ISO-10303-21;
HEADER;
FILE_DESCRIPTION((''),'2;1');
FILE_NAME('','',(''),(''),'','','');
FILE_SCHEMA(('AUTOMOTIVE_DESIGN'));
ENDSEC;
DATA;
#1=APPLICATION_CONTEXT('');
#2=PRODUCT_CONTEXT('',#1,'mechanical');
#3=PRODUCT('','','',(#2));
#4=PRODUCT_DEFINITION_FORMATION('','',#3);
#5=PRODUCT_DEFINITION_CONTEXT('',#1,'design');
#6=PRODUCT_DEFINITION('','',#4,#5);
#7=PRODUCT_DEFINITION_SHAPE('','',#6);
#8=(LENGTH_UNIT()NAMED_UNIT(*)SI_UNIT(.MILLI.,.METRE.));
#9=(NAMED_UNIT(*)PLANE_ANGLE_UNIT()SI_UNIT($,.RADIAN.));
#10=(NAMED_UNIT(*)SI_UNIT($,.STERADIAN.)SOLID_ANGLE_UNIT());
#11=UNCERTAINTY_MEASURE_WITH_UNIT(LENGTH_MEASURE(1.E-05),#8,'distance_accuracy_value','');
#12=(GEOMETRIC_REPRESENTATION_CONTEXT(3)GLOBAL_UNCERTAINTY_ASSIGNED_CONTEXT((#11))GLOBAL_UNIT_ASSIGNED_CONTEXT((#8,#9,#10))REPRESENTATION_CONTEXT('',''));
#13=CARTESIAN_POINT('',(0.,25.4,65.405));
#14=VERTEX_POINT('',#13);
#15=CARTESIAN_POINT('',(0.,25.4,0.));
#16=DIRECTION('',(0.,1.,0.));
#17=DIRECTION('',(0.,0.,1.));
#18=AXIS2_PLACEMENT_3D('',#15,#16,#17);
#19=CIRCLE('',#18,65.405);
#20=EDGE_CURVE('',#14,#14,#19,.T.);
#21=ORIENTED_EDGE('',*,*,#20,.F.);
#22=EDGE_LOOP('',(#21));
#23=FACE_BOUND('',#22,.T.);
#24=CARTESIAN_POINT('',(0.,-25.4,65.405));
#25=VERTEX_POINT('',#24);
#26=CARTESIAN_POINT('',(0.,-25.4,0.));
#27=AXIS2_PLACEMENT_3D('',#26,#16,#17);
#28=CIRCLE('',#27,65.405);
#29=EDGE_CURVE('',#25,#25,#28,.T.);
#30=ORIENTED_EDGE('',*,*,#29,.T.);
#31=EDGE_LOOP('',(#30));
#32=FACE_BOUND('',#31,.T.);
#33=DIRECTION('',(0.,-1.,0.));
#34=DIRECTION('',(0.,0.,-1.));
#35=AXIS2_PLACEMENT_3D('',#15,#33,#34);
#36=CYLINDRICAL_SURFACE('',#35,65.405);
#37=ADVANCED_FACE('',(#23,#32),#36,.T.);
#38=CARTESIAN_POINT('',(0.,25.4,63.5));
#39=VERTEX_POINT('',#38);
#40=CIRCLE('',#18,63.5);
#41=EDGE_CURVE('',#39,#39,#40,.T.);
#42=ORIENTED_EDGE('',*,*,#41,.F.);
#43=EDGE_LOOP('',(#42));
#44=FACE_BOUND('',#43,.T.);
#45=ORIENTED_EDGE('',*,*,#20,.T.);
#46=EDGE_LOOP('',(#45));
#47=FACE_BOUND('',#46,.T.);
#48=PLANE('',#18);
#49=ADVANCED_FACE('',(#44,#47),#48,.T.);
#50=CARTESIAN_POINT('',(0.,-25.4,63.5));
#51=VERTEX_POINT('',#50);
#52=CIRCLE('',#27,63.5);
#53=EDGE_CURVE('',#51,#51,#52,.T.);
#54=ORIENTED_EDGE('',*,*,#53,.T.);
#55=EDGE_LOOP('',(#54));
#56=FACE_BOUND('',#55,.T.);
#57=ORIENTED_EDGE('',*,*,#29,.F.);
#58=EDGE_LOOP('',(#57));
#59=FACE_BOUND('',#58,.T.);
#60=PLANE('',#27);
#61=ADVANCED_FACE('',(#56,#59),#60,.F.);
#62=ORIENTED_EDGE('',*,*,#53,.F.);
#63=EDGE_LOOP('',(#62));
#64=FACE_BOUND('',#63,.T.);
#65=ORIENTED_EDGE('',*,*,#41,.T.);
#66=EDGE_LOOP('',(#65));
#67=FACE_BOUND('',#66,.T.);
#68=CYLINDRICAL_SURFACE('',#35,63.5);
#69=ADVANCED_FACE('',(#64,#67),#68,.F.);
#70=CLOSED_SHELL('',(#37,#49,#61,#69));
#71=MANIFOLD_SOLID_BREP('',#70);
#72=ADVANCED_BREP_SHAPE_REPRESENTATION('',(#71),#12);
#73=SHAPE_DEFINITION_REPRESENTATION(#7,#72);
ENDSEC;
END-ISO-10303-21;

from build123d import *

# Parameters (mm, degrees)
SKETCH1_R           = 65.405
SKETCH1_R_2         = 63.5
BOSS_EXTRUDE2_DEPTH = 25.4


with BuildPart() as part:
    # Sketch1 → Boss-Extrude2 (new body, symmetric)
    with BuildSketch(Plane(origin=(0, 0, 0), x_dir=(1, 0, 0), z_dir=(0, 1, 0))):
        Circle(SKETCH1_R)
        Circle(SKETCH1_R_2, mode=Mode.SUBTRACT)
    extrude(amount=BOSS_EXTRUDE2_DEPTH, both=True)


solid = part.part
